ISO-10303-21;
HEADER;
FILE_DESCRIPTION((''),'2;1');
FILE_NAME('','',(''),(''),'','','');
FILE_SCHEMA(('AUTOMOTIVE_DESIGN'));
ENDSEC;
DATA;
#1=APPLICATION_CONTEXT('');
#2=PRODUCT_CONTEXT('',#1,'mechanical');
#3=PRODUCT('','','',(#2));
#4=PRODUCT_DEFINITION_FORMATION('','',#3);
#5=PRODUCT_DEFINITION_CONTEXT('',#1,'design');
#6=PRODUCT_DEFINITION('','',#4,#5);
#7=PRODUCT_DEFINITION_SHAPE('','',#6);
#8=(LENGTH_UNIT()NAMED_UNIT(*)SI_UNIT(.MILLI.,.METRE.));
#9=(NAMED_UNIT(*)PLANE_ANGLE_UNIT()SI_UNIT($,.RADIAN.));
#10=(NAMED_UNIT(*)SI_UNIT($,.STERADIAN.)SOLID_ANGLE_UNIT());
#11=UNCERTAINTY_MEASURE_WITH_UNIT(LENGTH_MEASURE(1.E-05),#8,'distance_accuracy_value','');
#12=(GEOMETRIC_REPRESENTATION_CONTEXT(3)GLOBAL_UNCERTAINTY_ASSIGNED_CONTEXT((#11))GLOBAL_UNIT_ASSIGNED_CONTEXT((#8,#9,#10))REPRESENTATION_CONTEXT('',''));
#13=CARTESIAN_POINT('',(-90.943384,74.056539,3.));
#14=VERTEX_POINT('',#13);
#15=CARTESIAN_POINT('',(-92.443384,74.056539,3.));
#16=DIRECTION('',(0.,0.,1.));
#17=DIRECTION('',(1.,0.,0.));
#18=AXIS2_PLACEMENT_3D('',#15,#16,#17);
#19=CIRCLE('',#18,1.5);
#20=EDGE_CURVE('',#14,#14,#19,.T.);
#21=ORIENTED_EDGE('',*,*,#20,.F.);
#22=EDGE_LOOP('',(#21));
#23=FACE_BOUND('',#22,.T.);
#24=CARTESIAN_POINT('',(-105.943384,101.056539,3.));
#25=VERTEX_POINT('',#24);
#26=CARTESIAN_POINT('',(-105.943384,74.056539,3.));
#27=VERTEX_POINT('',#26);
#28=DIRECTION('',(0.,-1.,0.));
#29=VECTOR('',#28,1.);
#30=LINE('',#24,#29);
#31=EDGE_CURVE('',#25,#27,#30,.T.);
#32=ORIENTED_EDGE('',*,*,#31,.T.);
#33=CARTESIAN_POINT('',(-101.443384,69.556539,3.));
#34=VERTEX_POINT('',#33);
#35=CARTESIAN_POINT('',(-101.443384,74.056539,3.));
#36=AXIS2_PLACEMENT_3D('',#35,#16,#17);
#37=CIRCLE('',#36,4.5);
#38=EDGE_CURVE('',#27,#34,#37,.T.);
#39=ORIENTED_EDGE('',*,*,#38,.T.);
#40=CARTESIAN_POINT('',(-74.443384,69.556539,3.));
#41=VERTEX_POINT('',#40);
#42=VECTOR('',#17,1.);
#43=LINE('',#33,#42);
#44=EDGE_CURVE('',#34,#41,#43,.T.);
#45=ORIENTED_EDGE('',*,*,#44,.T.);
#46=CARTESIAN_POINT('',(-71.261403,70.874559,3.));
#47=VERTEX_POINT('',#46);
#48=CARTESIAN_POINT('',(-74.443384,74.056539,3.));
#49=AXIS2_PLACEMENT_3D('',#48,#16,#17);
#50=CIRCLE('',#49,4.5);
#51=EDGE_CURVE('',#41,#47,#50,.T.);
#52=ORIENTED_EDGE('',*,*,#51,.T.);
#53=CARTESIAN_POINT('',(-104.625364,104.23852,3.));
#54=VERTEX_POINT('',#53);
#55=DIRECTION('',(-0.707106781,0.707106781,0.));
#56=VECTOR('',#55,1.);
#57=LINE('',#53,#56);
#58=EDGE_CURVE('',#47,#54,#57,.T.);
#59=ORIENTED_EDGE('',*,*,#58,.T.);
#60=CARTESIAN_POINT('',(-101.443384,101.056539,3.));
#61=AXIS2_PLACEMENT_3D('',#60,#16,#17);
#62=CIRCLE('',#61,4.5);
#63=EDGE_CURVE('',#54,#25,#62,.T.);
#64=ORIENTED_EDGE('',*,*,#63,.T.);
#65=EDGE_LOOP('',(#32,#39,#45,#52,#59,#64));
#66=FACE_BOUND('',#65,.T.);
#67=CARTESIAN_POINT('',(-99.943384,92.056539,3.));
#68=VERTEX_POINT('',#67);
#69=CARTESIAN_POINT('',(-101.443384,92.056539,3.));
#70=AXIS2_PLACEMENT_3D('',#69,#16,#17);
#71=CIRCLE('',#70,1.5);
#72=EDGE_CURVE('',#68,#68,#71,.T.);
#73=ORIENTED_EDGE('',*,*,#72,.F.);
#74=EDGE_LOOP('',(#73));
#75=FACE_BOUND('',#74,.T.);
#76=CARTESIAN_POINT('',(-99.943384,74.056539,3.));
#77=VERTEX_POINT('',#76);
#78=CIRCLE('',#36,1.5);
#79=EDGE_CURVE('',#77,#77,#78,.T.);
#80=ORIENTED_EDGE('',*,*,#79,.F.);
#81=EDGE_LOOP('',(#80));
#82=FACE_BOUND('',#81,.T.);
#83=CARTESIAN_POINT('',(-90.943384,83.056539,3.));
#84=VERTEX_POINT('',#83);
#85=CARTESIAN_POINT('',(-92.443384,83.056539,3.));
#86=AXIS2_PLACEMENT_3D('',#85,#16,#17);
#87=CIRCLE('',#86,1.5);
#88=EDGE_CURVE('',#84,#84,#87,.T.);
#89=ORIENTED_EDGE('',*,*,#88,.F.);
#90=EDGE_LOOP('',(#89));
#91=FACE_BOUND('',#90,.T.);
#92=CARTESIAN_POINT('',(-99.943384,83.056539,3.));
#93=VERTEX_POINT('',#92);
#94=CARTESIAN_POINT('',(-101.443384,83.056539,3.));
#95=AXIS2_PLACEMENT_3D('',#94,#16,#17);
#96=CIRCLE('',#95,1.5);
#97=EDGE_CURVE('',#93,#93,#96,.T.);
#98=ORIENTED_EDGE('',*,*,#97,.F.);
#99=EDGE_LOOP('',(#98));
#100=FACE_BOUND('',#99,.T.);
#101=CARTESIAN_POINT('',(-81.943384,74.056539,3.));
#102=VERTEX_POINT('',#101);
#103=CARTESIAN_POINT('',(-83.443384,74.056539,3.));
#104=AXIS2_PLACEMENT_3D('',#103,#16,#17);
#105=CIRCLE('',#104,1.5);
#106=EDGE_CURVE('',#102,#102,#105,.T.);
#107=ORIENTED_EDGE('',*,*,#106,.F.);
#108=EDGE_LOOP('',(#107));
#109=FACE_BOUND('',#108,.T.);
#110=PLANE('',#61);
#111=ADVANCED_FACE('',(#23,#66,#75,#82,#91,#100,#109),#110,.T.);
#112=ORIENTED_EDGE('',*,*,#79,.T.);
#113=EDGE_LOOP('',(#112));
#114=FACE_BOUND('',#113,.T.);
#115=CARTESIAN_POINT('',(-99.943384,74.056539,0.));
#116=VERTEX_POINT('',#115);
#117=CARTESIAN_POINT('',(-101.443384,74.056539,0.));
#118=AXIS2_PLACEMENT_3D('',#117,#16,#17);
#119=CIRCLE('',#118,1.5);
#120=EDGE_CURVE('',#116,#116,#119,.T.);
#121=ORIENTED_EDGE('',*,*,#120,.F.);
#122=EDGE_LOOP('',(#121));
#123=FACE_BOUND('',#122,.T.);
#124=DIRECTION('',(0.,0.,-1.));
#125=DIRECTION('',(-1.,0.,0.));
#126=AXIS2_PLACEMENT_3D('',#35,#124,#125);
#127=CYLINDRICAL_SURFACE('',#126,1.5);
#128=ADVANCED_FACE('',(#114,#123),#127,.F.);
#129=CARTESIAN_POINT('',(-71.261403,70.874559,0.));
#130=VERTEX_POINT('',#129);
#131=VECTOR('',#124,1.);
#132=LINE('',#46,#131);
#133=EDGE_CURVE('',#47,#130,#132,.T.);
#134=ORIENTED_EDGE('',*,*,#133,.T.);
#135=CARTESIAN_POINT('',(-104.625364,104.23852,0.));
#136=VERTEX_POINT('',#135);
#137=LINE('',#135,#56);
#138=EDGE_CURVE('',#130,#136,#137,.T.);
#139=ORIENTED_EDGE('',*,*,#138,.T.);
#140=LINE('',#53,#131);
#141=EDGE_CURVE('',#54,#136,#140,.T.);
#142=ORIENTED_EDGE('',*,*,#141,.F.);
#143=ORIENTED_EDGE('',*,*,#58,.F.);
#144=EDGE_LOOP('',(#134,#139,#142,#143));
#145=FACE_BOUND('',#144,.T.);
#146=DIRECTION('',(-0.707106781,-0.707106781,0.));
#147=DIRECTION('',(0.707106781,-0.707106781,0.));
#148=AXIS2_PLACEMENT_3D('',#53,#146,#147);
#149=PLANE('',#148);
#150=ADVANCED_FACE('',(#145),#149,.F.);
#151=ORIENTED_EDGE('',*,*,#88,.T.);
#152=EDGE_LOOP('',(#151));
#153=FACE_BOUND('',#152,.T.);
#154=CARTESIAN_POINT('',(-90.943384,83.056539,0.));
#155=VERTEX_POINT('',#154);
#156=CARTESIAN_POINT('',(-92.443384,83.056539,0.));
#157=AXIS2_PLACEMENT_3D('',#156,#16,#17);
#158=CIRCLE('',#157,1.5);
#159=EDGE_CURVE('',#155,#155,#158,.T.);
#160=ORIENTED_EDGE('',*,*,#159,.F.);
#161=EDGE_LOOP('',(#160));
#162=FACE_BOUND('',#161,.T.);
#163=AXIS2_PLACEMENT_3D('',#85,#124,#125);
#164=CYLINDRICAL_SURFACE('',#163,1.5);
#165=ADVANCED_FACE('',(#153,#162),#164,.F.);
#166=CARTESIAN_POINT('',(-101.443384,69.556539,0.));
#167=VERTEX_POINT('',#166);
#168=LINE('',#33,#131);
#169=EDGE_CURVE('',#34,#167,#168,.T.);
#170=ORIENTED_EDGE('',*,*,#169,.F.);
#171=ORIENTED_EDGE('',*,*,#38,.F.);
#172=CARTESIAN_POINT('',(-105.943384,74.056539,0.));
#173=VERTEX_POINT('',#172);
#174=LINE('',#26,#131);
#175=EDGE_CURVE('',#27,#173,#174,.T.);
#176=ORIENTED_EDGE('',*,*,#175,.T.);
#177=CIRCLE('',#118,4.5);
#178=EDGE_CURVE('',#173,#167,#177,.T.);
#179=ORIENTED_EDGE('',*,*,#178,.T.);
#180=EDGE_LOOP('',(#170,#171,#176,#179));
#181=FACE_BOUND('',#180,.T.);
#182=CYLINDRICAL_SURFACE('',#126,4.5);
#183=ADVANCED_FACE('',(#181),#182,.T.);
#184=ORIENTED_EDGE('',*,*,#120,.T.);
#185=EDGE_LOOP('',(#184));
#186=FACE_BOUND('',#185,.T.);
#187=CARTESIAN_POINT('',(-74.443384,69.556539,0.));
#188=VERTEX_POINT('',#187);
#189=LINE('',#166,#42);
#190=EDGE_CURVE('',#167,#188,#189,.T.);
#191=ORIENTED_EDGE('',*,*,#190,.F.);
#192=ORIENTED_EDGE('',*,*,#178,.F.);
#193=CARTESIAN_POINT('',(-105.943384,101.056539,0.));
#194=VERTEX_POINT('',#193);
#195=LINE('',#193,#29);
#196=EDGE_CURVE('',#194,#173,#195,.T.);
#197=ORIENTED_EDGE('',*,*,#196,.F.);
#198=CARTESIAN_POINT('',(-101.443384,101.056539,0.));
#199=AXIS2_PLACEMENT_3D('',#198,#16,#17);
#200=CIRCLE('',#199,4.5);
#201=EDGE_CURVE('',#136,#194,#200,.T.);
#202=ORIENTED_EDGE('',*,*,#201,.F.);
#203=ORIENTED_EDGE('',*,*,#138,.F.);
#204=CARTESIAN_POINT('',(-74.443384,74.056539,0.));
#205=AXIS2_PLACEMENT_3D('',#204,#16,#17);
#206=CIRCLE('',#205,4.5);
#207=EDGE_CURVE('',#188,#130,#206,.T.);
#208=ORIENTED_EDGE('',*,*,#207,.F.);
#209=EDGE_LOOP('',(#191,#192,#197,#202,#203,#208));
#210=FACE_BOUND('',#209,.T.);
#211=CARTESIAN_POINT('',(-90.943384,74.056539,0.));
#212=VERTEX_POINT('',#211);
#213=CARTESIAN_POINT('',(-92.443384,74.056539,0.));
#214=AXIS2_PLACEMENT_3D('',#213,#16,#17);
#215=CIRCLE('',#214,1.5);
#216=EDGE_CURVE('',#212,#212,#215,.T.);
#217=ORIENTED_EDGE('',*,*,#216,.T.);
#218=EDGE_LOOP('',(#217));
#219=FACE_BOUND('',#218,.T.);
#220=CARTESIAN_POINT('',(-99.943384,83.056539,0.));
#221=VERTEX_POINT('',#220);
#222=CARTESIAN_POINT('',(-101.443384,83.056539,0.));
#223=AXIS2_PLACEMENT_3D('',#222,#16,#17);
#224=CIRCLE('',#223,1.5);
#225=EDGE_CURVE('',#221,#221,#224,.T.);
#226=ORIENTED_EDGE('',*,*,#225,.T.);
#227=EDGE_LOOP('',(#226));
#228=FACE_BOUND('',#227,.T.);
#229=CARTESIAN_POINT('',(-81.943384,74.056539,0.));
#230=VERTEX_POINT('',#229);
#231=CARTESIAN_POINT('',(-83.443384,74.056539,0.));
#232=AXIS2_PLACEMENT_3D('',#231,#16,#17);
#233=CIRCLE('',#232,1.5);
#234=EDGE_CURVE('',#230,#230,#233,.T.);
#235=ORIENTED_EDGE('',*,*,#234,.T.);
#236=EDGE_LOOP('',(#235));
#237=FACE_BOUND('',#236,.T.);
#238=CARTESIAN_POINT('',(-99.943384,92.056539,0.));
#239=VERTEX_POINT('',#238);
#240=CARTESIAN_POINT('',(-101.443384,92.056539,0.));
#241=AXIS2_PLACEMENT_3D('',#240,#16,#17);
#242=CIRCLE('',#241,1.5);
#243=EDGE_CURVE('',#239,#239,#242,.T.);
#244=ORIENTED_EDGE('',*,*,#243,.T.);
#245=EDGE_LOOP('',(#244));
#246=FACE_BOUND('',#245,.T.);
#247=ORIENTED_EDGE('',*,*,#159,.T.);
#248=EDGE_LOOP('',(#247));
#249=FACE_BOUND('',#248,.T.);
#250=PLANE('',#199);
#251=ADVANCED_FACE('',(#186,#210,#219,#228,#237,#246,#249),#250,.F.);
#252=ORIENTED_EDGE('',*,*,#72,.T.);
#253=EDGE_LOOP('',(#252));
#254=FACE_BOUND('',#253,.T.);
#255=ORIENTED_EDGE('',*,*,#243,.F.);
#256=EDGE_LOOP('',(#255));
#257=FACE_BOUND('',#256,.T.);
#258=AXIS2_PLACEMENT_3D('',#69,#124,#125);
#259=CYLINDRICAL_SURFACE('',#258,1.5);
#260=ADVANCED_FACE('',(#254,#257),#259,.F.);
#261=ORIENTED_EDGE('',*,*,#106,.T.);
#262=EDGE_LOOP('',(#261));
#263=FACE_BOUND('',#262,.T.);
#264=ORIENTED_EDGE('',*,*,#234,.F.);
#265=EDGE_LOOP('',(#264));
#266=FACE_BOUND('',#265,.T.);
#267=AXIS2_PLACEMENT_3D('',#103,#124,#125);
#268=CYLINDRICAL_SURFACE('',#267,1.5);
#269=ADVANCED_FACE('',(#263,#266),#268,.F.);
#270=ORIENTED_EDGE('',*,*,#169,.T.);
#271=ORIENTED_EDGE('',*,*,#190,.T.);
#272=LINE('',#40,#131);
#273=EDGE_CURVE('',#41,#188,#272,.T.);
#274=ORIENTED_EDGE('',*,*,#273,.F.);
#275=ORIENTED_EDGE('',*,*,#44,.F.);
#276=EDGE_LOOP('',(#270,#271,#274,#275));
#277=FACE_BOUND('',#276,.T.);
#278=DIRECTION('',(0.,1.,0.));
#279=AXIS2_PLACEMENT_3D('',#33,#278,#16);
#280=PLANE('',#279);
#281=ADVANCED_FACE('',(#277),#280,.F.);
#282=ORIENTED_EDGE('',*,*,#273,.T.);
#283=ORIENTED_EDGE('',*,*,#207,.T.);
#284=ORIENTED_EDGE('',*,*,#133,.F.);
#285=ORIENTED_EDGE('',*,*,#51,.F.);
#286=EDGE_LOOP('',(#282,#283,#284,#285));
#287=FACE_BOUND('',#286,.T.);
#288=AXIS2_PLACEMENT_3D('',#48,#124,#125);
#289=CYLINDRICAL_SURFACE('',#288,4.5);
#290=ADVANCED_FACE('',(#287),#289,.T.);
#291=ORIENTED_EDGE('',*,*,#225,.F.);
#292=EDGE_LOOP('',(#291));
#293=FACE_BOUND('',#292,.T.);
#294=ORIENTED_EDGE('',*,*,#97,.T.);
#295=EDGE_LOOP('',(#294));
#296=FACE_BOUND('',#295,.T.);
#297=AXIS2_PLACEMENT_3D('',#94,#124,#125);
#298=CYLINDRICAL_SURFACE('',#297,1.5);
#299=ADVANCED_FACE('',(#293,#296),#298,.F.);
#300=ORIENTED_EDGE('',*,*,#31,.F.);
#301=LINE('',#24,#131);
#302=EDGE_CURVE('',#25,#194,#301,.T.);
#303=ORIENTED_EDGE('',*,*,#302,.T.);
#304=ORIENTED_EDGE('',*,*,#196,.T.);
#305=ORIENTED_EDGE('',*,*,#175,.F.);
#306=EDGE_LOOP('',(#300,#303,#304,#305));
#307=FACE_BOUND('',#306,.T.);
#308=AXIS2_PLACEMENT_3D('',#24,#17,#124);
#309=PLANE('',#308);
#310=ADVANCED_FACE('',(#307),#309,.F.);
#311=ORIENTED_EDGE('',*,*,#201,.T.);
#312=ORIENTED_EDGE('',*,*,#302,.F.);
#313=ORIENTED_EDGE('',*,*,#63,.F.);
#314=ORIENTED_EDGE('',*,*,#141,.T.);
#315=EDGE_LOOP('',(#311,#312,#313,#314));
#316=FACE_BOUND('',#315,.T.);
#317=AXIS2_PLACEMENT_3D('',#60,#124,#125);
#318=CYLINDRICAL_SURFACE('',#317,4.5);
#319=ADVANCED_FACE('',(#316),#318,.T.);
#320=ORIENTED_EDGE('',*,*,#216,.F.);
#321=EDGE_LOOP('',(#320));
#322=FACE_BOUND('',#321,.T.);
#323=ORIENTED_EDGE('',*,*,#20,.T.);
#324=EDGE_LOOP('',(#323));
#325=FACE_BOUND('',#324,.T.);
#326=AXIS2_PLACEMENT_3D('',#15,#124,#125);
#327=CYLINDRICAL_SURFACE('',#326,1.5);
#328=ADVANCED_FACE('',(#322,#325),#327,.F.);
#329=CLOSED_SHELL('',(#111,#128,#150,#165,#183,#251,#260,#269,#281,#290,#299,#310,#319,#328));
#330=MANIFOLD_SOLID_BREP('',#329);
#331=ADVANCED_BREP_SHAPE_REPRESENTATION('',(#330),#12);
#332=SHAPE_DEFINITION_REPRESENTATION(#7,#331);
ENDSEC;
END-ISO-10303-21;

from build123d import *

# Parameters (mm, degrees)
MODEL_R                 = 1.5
SALIENTE_EXTRUIR1_DEPTH = 3


with BuildPart() as part:
    # Model → Saliente-Extruir1 (new body)
    with BuildSketch(Plane.XY):
        with BuildLine():
            Line((-105.943383637, 101.056539338), (-105.943383637, 74.056539338))
            ThreePointArc((-105.943383637, 74.056539338), (-104.625364152, 70.874558823), (-101.443383637, 69.556539338))
            Line((-101.443383637, 69.556539338), (-74.443383637, 69.556539338))
            ThreePointArc((-74.443383637, 69.556539338), (-72.721308191, 69.899081442), (-71.261403122, 70.874558823))
            Line((-71.261403122, 70.874558823), (-104.625364152, 104.238519853))
            ThreePointArc((-104.625364152, 104.238519853), (-105.600841533, 102.778614784), (-105.943383637, 101.056539338))
        make_face()
        with Locations((-101.443383637, 92.056539338)):
            Circle(MODEL_R, mode=Mode.SUBTRACT)
        with Locations((-101.443383637, 83.056539338)):
            Circle(MODEL_R, mode=Mode.SUBTRACT)
        with Locations((-92.443383637, 83.056539338)):
            Circle(MODEL_R, mode=Mode.SUBTRACT)
        with Locations((-101.443383637, 74.056539338)):
            Circle(MODEL_R, mode=Mode.SUBTRACT)
        with Locations((-92.443383637, 74.056539338)):
            Circle(MODEL_R, mode=Mode.SUBTRACT)
        with Locations((-83.443383637, 74.056539338)):
            Circle(MODEL_R, mode=Mode.SUBTRACT)
    extrude(amount=SALIENTE_EXTRUIR1_DEPTH)


solid = part.part
